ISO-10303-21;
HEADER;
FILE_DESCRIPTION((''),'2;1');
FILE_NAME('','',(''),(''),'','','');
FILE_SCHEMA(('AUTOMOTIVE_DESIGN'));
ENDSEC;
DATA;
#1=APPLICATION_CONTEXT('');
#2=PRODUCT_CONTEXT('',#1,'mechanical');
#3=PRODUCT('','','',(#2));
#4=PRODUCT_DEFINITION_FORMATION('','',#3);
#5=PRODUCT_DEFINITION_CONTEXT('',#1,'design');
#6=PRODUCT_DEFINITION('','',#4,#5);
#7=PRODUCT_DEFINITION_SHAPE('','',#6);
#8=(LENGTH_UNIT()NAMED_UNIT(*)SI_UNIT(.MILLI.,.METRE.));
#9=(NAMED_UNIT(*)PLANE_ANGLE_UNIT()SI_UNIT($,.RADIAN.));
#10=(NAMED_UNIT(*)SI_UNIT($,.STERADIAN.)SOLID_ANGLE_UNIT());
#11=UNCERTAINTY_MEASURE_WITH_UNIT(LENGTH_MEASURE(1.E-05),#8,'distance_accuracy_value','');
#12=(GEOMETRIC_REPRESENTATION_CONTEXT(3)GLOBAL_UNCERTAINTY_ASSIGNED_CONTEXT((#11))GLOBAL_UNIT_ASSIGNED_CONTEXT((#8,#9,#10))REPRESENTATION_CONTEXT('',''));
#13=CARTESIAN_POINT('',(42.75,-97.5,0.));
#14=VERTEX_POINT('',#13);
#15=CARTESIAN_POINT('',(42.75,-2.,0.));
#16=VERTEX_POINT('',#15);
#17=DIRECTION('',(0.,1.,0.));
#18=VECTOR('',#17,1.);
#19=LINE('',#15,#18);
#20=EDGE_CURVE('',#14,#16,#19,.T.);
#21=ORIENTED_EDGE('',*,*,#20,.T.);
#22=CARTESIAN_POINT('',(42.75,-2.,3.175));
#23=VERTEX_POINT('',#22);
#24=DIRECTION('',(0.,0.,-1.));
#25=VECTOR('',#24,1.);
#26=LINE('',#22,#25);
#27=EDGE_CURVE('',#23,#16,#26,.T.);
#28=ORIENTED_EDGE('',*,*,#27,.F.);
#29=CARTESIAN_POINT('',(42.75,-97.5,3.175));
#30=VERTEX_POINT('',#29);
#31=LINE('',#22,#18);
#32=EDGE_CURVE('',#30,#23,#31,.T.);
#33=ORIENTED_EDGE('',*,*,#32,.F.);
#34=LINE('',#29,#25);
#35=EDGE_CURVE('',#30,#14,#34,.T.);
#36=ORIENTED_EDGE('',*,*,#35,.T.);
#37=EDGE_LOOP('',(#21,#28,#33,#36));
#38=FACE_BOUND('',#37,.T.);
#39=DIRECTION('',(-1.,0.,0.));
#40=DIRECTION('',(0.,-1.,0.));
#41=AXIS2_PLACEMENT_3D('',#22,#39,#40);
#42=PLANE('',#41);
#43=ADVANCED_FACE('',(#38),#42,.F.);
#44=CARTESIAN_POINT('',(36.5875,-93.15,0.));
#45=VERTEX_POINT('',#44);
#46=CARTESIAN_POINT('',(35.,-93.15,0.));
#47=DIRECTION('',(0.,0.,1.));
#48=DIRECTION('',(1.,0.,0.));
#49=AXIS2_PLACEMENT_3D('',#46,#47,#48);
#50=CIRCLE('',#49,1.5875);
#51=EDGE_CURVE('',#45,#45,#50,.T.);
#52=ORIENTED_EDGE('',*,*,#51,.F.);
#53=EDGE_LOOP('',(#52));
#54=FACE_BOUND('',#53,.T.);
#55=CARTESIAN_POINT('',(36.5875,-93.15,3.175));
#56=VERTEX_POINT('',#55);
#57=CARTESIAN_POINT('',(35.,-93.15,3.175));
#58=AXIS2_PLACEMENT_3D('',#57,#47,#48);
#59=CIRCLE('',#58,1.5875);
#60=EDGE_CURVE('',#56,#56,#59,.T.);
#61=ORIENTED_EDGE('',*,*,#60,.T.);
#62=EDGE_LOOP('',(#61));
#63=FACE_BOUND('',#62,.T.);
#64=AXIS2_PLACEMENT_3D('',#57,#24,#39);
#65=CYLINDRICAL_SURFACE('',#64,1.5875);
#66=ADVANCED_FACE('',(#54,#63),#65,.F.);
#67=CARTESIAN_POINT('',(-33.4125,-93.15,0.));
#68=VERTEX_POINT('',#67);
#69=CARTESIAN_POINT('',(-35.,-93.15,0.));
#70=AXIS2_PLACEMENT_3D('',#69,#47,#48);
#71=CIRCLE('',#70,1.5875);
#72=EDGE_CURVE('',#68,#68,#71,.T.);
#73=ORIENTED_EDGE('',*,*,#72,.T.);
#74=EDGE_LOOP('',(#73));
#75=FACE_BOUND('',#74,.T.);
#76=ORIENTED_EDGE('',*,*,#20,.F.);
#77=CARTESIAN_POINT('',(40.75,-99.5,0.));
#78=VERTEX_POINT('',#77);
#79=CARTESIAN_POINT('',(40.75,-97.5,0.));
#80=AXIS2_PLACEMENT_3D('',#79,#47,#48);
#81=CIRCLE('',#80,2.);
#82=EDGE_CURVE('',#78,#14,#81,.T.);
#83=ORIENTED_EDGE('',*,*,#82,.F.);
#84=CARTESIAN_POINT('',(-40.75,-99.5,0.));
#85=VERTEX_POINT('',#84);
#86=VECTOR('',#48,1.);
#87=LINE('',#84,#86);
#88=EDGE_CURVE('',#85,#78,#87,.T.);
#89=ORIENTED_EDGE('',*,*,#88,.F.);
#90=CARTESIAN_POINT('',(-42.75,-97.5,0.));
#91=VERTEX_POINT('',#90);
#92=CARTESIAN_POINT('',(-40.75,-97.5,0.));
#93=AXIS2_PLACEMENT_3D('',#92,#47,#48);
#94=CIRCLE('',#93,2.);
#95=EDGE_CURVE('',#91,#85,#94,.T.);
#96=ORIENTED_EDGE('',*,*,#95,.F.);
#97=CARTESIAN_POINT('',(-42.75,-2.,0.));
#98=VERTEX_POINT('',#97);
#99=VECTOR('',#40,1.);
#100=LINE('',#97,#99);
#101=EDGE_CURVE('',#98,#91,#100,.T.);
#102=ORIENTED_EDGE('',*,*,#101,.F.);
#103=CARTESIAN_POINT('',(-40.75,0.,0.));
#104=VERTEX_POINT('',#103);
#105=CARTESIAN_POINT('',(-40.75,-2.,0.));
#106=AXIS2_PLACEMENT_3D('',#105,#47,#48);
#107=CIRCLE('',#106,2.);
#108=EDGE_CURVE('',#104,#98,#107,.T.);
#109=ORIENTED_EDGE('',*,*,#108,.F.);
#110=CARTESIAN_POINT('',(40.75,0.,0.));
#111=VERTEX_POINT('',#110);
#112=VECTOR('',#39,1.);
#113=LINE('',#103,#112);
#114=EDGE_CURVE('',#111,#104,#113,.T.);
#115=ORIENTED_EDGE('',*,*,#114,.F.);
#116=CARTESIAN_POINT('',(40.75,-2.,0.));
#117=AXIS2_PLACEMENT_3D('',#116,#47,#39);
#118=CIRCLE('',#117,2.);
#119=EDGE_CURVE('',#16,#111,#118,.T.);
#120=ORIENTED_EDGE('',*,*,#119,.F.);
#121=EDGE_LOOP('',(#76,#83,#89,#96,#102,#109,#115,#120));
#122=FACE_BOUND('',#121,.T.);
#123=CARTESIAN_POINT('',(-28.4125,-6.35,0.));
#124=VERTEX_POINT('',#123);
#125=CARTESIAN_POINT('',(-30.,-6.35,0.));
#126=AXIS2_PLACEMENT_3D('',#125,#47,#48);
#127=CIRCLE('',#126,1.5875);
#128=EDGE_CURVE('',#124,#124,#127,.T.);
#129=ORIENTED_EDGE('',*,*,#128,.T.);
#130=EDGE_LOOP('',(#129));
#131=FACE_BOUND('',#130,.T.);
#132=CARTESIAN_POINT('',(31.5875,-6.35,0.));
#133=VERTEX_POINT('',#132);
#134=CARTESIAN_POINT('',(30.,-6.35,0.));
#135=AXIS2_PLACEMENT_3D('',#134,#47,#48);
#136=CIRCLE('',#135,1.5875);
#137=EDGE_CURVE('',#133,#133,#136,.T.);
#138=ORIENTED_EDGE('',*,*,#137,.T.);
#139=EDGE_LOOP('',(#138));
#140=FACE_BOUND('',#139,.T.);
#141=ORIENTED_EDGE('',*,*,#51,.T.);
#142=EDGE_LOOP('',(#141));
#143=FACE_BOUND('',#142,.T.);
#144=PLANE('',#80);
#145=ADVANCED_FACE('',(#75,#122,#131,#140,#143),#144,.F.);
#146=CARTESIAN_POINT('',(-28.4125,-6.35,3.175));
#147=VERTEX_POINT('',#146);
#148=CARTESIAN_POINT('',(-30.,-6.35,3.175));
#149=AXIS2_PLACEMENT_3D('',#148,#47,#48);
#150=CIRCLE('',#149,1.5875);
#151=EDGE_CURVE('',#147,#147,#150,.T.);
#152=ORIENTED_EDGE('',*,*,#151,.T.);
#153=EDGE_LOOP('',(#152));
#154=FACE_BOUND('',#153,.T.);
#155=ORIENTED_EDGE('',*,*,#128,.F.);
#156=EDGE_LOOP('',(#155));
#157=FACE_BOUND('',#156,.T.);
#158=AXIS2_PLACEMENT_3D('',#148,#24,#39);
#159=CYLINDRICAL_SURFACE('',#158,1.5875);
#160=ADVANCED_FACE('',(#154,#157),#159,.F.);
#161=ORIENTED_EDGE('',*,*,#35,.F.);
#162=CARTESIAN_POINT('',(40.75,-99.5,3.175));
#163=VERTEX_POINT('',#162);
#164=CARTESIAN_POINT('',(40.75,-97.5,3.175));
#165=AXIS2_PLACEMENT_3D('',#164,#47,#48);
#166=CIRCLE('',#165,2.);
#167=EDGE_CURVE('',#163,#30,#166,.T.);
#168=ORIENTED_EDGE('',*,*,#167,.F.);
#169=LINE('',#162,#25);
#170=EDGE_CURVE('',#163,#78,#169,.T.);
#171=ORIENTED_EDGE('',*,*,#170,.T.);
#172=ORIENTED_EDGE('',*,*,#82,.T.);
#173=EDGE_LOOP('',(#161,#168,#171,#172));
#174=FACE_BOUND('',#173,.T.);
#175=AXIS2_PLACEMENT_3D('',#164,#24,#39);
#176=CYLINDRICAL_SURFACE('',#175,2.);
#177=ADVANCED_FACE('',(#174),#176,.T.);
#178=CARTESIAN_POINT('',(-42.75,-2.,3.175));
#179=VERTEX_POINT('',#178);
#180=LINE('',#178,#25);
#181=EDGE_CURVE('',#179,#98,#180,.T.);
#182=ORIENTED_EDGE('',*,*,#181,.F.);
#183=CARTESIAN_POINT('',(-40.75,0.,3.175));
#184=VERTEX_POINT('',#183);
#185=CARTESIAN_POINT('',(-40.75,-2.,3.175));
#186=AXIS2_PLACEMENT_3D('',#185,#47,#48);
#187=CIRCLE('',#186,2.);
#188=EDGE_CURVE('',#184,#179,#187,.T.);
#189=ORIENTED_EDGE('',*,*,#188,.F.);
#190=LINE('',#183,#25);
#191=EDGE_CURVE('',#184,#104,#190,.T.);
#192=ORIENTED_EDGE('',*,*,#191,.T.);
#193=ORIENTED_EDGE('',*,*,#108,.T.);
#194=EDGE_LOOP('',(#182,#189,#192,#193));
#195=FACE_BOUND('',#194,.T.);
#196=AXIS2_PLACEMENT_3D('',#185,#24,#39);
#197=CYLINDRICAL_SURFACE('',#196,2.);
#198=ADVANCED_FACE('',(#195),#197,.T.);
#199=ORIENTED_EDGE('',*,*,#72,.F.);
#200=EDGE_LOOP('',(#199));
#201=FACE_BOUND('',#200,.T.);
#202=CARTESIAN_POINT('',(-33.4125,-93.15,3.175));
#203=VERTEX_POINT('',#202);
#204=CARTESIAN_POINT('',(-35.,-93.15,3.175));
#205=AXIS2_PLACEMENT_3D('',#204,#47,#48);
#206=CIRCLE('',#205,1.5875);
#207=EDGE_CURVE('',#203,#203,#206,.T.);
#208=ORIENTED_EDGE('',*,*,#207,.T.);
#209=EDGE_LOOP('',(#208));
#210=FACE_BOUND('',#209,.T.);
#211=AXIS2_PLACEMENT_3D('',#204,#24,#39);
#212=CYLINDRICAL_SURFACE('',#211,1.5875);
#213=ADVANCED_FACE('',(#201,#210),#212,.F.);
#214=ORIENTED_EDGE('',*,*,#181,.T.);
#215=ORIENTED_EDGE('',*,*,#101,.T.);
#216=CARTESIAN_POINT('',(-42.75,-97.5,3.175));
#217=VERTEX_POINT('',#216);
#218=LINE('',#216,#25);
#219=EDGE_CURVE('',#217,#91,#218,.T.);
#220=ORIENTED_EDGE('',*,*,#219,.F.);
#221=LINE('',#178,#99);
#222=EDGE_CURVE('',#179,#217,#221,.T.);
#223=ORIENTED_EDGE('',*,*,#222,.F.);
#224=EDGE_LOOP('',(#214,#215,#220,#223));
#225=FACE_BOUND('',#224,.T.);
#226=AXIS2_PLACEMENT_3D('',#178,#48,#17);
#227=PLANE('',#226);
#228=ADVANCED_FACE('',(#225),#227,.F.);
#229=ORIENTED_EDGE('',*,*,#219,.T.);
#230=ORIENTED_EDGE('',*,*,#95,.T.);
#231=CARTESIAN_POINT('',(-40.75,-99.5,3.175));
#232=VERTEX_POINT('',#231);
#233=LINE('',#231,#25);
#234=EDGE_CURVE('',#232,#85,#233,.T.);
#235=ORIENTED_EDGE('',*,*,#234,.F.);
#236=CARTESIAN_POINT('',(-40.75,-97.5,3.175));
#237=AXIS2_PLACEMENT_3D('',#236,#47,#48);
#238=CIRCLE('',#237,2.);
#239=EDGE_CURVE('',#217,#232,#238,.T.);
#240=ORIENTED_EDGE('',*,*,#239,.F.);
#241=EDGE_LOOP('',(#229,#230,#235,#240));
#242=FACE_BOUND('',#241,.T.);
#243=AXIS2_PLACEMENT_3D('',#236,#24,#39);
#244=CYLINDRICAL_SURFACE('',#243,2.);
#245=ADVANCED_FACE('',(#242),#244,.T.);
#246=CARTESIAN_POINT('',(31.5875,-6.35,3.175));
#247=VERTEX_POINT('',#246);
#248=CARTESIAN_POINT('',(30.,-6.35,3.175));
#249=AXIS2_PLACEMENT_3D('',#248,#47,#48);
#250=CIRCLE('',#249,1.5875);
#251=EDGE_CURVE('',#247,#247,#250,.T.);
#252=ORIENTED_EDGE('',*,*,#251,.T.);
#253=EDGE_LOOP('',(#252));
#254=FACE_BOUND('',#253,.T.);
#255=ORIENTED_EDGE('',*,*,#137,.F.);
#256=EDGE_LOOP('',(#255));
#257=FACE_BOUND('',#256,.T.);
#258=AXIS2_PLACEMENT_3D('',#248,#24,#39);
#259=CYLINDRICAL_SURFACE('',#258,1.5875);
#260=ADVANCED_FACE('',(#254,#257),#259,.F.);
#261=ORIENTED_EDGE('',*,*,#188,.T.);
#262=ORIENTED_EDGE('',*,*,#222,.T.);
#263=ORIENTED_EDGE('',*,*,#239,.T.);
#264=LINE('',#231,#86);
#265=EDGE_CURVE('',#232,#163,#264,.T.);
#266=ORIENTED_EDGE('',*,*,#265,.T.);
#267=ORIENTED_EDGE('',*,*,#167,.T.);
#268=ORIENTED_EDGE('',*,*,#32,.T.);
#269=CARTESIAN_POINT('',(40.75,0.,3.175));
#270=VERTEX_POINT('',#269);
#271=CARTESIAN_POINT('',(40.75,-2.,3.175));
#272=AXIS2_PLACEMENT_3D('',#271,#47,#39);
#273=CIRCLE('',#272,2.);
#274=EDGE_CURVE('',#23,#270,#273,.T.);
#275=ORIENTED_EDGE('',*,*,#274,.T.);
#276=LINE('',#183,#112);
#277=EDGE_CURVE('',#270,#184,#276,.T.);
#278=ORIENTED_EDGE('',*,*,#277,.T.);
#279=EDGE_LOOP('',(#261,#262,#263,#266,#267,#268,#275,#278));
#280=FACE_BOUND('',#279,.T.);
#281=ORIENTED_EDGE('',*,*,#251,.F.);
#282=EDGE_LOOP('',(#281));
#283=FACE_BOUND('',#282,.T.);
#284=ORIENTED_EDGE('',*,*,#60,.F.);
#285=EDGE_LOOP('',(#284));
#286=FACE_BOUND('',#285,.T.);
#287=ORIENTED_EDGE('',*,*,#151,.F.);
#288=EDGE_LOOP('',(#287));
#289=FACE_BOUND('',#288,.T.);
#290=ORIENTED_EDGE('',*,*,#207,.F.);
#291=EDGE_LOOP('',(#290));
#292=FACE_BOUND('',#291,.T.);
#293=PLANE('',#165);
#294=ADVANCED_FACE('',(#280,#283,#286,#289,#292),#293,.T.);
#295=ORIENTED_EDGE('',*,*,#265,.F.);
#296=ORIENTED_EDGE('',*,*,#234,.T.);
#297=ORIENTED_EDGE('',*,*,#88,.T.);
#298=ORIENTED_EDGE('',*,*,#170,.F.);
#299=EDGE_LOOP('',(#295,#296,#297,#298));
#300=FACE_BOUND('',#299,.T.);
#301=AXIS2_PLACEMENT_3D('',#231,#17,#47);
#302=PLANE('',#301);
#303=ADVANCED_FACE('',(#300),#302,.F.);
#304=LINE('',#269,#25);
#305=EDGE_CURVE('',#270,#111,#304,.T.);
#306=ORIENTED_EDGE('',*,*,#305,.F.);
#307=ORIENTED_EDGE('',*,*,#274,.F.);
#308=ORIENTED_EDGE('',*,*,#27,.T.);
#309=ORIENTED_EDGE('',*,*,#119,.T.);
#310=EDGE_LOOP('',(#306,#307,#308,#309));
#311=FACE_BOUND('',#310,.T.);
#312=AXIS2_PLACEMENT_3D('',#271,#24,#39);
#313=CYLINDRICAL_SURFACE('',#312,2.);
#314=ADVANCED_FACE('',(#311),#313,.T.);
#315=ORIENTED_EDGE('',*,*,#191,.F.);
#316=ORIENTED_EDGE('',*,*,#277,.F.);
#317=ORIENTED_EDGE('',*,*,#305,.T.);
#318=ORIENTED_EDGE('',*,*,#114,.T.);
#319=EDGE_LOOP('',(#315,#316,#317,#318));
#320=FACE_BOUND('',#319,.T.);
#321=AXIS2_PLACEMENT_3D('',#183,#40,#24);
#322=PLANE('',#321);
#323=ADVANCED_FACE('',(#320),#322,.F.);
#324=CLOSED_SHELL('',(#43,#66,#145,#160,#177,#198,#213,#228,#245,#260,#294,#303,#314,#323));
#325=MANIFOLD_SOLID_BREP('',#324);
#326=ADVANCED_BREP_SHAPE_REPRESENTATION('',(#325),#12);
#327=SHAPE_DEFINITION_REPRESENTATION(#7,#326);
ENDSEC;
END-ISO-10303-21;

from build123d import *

# Parameters (mm, degrees)
SKETCH1_R           = 1.5875
BOSS_EXTRUDE1_DEPTH = 3.175


with BuildPart() as part:
    # Sketch1 → Boss-Extrude1 (new body)
    with BuildSketch(Plane.XY):
        with BuildLine():
            Line((-40.75, 0), (40.75, 0))
            ThreePointArc((40.75, 0), (42.164213562, -0.585786438), (42.75, -2))
            Line((42.75, -2), (42.75, -97.5))
            ThreePointArc((42.75, -97.5), (42.164213562, -98.914213562), (40.75, -99.5))
            Line((40.75, -99.5), (-40.75, -99.5))
            ThreePointArc((-40.75, -99.5), (-42.164213562, -98.914213562), (-42.75, -97.5))
            Line((-42.75, -97.5), (-42.75, -2))
            ThreePointArc((-42.75, -2), (-42.164213562, -0.585786438), (-40.75, 0))
        make_face()
        with Locations((-30, -6.35)):
            Circle(SKETCH1_R, mode=Mode.SUBTRACT)
        with Locations((30, -6.35)):
            Circle(SKETCH1_R, mode=Mode.SUBTRACT)
        with Locations((35, -93.15)):
            Circle(SKETCH1_R, mode=Mode.SUBTRACT)
        with Locations((-35, -93.15)):
            Circle(SKETCH1_R, mode=Mode.SUBTRACT)
    extrude(amount=BOSS_EXTRUDE1_DEPTH)


solid = part.part
